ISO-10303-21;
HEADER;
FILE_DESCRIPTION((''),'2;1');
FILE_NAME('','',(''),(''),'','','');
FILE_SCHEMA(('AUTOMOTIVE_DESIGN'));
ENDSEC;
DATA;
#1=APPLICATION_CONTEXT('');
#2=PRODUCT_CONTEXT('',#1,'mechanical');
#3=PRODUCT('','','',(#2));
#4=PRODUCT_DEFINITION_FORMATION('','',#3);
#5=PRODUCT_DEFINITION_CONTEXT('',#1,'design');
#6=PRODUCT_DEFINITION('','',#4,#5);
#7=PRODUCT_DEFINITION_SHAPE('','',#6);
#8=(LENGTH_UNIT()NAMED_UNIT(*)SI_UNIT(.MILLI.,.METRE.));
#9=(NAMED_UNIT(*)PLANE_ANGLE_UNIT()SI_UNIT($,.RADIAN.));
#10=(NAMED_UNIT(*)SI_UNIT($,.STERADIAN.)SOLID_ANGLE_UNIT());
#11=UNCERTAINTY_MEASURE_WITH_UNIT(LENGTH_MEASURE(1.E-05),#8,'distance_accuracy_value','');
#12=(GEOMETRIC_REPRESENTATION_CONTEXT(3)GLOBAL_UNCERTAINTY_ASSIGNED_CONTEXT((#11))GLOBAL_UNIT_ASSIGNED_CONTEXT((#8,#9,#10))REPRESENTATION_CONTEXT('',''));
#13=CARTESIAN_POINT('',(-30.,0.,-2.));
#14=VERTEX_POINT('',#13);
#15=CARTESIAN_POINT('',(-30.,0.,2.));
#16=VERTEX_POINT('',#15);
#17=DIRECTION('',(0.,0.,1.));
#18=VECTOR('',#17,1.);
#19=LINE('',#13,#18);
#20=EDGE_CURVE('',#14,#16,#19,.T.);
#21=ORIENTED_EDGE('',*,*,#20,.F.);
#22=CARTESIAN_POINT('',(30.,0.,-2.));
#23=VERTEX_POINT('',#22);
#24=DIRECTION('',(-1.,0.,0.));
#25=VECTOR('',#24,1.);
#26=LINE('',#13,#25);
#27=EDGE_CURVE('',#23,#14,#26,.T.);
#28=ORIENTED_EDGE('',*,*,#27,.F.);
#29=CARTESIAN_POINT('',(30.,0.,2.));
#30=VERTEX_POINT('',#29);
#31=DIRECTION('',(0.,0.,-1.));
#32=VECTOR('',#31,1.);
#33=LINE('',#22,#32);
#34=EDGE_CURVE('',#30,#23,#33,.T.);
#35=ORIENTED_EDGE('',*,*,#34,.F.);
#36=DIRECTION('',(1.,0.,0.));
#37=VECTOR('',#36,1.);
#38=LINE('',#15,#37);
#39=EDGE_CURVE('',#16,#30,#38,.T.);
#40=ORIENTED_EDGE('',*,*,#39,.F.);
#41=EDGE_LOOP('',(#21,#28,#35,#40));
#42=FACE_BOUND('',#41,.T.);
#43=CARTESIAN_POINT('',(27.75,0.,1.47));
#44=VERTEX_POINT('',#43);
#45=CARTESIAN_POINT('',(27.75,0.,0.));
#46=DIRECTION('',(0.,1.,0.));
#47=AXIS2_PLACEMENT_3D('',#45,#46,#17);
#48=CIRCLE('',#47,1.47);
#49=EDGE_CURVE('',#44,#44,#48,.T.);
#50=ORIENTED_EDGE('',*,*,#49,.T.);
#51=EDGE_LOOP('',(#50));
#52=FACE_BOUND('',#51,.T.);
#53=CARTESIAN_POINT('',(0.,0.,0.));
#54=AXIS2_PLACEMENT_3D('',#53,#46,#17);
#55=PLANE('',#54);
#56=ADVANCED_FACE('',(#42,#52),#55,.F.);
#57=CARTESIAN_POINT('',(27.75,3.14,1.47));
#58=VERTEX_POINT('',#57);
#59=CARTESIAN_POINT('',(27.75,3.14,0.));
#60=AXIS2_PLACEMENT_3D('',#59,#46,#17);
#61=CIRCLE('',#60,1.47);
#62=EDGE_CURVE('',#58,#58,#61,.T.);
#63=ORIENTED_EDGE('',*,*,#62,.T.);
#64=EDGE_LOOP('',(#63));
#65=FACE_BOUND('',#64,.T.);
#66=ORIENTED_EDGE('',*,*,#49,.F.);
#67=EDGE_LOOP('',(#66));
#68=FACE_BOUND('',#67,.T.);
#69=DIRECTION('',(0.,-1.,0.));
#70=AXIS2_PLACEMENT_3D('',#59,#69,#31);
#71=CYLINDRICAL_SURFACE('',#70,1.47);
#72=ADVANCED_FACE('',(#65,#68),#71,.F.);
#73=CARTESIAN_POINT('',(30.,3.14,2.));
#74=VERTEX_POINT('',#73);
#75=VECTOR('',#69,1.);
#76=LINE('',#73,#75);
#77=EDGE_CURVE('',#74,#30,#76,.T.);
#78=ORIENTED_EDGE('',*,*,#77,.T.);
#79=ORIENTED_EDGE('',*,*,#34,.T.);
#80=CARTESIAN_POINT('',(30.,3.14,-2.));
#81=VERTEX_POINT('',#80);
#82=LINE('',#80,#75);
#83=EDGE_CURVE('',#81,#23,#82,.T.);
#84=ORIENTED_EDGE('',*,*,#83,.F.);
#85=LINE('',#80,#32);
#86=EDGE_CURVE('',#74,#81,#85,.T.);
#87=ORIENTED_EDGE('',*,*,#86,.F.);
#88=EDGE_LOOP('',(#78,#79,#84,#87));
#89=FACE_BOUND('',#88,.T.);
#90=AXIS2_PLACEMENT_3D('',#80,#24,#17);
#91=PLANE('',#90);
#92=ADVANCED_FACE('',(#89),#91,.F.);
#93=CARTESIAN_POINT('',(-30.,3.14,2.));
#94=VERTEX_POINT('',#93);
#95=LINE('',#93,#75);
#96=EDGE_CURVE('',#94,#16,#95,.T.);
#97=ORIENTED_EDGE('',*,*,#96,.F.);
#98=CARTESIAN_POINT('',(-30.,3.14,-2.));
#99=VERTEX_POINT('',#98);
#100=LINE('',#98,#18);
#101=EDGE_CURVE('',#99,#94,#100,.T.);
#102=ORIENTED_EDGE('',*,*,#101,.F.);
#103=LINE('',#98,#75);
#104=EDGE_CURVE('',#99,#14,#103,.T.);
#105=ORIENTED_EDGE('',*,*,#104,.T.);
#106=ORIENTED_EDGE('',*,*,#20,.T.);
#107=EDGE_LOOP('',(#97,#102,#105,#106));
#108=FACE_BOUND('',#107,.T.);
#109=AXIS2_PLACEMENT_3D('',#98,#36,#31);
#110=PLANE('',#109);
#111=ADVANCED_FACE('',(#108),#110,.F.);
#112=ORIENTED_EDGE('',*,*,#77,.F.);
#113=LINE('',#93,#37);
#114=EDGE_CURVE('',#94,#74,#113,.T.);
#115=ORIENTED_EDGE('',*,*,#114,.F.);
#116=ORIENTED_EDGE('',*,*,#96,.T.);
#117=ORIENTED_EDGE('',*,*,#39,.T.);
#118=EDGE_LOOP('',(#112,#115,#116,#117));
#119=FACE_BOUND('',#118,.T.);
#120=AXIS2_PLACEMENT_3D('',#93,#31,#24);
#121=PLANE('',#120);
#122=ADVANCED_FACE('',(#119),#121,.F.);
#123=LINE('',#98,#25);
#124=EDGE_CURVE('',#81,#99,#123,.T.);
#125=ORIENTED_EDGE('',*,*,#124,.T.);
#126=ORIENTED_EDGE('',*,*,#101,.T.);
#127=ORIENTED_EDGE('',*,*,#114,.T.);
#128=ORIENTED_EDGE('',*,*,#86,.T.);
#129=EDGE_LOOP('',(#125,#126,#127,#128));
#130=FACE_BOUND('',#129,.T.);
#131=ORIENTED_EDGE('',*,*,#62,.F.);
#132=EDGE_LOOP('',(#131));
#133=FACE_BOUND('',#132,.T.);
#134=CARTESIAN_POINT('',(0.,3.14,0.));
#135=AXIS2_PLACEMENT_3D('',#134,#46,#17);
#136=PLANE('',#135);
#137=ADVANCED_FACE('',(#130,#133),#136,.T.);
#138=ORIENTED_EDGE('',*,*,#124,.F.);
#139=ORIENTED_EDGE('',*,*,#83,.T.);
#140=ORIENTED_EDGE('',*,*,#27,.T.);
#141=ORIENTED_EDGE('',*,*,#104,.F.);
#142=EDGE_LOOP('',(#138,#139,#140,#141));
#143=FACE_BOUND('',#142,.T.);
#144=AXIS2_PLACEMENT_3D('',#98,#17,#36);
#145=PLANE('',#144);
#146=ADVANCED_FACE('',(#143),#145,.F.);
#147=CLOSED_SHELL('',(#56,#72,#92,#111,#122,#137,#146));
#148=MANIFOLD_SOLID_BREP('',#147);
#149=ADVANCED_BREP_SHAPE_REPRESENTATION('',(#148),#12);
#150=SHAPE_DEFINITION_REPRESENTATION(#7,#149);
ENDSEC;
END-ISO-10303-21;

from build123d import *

# Parameters (mm, degrees)
SKETCH1_W           = 60
SKETCH1_H           = 4
SKETCH1_R           = 1.47
BOSS_EXTRUDE1_DEPTH = 3.14


with BuildPart() as part:
    # Sketch1 → Boss-Extrude1 (new body)
    with BuildSketch(Plane(origin=(0, 0, 0), x_dir=(1, 0, 0), z_dir=(0, 1, 0))):
        Rectangle(SKETCH1_W, SKETCH1_H)
        with Locations(Location((27.75, 0, 0), (0, 0, 270))):
            Circle(SKETCH1_R, mode=Mode.SUBTRACT)
    extrude(amount=BOSS_EXTRUDE1_DEPTH)


solid = part.part
